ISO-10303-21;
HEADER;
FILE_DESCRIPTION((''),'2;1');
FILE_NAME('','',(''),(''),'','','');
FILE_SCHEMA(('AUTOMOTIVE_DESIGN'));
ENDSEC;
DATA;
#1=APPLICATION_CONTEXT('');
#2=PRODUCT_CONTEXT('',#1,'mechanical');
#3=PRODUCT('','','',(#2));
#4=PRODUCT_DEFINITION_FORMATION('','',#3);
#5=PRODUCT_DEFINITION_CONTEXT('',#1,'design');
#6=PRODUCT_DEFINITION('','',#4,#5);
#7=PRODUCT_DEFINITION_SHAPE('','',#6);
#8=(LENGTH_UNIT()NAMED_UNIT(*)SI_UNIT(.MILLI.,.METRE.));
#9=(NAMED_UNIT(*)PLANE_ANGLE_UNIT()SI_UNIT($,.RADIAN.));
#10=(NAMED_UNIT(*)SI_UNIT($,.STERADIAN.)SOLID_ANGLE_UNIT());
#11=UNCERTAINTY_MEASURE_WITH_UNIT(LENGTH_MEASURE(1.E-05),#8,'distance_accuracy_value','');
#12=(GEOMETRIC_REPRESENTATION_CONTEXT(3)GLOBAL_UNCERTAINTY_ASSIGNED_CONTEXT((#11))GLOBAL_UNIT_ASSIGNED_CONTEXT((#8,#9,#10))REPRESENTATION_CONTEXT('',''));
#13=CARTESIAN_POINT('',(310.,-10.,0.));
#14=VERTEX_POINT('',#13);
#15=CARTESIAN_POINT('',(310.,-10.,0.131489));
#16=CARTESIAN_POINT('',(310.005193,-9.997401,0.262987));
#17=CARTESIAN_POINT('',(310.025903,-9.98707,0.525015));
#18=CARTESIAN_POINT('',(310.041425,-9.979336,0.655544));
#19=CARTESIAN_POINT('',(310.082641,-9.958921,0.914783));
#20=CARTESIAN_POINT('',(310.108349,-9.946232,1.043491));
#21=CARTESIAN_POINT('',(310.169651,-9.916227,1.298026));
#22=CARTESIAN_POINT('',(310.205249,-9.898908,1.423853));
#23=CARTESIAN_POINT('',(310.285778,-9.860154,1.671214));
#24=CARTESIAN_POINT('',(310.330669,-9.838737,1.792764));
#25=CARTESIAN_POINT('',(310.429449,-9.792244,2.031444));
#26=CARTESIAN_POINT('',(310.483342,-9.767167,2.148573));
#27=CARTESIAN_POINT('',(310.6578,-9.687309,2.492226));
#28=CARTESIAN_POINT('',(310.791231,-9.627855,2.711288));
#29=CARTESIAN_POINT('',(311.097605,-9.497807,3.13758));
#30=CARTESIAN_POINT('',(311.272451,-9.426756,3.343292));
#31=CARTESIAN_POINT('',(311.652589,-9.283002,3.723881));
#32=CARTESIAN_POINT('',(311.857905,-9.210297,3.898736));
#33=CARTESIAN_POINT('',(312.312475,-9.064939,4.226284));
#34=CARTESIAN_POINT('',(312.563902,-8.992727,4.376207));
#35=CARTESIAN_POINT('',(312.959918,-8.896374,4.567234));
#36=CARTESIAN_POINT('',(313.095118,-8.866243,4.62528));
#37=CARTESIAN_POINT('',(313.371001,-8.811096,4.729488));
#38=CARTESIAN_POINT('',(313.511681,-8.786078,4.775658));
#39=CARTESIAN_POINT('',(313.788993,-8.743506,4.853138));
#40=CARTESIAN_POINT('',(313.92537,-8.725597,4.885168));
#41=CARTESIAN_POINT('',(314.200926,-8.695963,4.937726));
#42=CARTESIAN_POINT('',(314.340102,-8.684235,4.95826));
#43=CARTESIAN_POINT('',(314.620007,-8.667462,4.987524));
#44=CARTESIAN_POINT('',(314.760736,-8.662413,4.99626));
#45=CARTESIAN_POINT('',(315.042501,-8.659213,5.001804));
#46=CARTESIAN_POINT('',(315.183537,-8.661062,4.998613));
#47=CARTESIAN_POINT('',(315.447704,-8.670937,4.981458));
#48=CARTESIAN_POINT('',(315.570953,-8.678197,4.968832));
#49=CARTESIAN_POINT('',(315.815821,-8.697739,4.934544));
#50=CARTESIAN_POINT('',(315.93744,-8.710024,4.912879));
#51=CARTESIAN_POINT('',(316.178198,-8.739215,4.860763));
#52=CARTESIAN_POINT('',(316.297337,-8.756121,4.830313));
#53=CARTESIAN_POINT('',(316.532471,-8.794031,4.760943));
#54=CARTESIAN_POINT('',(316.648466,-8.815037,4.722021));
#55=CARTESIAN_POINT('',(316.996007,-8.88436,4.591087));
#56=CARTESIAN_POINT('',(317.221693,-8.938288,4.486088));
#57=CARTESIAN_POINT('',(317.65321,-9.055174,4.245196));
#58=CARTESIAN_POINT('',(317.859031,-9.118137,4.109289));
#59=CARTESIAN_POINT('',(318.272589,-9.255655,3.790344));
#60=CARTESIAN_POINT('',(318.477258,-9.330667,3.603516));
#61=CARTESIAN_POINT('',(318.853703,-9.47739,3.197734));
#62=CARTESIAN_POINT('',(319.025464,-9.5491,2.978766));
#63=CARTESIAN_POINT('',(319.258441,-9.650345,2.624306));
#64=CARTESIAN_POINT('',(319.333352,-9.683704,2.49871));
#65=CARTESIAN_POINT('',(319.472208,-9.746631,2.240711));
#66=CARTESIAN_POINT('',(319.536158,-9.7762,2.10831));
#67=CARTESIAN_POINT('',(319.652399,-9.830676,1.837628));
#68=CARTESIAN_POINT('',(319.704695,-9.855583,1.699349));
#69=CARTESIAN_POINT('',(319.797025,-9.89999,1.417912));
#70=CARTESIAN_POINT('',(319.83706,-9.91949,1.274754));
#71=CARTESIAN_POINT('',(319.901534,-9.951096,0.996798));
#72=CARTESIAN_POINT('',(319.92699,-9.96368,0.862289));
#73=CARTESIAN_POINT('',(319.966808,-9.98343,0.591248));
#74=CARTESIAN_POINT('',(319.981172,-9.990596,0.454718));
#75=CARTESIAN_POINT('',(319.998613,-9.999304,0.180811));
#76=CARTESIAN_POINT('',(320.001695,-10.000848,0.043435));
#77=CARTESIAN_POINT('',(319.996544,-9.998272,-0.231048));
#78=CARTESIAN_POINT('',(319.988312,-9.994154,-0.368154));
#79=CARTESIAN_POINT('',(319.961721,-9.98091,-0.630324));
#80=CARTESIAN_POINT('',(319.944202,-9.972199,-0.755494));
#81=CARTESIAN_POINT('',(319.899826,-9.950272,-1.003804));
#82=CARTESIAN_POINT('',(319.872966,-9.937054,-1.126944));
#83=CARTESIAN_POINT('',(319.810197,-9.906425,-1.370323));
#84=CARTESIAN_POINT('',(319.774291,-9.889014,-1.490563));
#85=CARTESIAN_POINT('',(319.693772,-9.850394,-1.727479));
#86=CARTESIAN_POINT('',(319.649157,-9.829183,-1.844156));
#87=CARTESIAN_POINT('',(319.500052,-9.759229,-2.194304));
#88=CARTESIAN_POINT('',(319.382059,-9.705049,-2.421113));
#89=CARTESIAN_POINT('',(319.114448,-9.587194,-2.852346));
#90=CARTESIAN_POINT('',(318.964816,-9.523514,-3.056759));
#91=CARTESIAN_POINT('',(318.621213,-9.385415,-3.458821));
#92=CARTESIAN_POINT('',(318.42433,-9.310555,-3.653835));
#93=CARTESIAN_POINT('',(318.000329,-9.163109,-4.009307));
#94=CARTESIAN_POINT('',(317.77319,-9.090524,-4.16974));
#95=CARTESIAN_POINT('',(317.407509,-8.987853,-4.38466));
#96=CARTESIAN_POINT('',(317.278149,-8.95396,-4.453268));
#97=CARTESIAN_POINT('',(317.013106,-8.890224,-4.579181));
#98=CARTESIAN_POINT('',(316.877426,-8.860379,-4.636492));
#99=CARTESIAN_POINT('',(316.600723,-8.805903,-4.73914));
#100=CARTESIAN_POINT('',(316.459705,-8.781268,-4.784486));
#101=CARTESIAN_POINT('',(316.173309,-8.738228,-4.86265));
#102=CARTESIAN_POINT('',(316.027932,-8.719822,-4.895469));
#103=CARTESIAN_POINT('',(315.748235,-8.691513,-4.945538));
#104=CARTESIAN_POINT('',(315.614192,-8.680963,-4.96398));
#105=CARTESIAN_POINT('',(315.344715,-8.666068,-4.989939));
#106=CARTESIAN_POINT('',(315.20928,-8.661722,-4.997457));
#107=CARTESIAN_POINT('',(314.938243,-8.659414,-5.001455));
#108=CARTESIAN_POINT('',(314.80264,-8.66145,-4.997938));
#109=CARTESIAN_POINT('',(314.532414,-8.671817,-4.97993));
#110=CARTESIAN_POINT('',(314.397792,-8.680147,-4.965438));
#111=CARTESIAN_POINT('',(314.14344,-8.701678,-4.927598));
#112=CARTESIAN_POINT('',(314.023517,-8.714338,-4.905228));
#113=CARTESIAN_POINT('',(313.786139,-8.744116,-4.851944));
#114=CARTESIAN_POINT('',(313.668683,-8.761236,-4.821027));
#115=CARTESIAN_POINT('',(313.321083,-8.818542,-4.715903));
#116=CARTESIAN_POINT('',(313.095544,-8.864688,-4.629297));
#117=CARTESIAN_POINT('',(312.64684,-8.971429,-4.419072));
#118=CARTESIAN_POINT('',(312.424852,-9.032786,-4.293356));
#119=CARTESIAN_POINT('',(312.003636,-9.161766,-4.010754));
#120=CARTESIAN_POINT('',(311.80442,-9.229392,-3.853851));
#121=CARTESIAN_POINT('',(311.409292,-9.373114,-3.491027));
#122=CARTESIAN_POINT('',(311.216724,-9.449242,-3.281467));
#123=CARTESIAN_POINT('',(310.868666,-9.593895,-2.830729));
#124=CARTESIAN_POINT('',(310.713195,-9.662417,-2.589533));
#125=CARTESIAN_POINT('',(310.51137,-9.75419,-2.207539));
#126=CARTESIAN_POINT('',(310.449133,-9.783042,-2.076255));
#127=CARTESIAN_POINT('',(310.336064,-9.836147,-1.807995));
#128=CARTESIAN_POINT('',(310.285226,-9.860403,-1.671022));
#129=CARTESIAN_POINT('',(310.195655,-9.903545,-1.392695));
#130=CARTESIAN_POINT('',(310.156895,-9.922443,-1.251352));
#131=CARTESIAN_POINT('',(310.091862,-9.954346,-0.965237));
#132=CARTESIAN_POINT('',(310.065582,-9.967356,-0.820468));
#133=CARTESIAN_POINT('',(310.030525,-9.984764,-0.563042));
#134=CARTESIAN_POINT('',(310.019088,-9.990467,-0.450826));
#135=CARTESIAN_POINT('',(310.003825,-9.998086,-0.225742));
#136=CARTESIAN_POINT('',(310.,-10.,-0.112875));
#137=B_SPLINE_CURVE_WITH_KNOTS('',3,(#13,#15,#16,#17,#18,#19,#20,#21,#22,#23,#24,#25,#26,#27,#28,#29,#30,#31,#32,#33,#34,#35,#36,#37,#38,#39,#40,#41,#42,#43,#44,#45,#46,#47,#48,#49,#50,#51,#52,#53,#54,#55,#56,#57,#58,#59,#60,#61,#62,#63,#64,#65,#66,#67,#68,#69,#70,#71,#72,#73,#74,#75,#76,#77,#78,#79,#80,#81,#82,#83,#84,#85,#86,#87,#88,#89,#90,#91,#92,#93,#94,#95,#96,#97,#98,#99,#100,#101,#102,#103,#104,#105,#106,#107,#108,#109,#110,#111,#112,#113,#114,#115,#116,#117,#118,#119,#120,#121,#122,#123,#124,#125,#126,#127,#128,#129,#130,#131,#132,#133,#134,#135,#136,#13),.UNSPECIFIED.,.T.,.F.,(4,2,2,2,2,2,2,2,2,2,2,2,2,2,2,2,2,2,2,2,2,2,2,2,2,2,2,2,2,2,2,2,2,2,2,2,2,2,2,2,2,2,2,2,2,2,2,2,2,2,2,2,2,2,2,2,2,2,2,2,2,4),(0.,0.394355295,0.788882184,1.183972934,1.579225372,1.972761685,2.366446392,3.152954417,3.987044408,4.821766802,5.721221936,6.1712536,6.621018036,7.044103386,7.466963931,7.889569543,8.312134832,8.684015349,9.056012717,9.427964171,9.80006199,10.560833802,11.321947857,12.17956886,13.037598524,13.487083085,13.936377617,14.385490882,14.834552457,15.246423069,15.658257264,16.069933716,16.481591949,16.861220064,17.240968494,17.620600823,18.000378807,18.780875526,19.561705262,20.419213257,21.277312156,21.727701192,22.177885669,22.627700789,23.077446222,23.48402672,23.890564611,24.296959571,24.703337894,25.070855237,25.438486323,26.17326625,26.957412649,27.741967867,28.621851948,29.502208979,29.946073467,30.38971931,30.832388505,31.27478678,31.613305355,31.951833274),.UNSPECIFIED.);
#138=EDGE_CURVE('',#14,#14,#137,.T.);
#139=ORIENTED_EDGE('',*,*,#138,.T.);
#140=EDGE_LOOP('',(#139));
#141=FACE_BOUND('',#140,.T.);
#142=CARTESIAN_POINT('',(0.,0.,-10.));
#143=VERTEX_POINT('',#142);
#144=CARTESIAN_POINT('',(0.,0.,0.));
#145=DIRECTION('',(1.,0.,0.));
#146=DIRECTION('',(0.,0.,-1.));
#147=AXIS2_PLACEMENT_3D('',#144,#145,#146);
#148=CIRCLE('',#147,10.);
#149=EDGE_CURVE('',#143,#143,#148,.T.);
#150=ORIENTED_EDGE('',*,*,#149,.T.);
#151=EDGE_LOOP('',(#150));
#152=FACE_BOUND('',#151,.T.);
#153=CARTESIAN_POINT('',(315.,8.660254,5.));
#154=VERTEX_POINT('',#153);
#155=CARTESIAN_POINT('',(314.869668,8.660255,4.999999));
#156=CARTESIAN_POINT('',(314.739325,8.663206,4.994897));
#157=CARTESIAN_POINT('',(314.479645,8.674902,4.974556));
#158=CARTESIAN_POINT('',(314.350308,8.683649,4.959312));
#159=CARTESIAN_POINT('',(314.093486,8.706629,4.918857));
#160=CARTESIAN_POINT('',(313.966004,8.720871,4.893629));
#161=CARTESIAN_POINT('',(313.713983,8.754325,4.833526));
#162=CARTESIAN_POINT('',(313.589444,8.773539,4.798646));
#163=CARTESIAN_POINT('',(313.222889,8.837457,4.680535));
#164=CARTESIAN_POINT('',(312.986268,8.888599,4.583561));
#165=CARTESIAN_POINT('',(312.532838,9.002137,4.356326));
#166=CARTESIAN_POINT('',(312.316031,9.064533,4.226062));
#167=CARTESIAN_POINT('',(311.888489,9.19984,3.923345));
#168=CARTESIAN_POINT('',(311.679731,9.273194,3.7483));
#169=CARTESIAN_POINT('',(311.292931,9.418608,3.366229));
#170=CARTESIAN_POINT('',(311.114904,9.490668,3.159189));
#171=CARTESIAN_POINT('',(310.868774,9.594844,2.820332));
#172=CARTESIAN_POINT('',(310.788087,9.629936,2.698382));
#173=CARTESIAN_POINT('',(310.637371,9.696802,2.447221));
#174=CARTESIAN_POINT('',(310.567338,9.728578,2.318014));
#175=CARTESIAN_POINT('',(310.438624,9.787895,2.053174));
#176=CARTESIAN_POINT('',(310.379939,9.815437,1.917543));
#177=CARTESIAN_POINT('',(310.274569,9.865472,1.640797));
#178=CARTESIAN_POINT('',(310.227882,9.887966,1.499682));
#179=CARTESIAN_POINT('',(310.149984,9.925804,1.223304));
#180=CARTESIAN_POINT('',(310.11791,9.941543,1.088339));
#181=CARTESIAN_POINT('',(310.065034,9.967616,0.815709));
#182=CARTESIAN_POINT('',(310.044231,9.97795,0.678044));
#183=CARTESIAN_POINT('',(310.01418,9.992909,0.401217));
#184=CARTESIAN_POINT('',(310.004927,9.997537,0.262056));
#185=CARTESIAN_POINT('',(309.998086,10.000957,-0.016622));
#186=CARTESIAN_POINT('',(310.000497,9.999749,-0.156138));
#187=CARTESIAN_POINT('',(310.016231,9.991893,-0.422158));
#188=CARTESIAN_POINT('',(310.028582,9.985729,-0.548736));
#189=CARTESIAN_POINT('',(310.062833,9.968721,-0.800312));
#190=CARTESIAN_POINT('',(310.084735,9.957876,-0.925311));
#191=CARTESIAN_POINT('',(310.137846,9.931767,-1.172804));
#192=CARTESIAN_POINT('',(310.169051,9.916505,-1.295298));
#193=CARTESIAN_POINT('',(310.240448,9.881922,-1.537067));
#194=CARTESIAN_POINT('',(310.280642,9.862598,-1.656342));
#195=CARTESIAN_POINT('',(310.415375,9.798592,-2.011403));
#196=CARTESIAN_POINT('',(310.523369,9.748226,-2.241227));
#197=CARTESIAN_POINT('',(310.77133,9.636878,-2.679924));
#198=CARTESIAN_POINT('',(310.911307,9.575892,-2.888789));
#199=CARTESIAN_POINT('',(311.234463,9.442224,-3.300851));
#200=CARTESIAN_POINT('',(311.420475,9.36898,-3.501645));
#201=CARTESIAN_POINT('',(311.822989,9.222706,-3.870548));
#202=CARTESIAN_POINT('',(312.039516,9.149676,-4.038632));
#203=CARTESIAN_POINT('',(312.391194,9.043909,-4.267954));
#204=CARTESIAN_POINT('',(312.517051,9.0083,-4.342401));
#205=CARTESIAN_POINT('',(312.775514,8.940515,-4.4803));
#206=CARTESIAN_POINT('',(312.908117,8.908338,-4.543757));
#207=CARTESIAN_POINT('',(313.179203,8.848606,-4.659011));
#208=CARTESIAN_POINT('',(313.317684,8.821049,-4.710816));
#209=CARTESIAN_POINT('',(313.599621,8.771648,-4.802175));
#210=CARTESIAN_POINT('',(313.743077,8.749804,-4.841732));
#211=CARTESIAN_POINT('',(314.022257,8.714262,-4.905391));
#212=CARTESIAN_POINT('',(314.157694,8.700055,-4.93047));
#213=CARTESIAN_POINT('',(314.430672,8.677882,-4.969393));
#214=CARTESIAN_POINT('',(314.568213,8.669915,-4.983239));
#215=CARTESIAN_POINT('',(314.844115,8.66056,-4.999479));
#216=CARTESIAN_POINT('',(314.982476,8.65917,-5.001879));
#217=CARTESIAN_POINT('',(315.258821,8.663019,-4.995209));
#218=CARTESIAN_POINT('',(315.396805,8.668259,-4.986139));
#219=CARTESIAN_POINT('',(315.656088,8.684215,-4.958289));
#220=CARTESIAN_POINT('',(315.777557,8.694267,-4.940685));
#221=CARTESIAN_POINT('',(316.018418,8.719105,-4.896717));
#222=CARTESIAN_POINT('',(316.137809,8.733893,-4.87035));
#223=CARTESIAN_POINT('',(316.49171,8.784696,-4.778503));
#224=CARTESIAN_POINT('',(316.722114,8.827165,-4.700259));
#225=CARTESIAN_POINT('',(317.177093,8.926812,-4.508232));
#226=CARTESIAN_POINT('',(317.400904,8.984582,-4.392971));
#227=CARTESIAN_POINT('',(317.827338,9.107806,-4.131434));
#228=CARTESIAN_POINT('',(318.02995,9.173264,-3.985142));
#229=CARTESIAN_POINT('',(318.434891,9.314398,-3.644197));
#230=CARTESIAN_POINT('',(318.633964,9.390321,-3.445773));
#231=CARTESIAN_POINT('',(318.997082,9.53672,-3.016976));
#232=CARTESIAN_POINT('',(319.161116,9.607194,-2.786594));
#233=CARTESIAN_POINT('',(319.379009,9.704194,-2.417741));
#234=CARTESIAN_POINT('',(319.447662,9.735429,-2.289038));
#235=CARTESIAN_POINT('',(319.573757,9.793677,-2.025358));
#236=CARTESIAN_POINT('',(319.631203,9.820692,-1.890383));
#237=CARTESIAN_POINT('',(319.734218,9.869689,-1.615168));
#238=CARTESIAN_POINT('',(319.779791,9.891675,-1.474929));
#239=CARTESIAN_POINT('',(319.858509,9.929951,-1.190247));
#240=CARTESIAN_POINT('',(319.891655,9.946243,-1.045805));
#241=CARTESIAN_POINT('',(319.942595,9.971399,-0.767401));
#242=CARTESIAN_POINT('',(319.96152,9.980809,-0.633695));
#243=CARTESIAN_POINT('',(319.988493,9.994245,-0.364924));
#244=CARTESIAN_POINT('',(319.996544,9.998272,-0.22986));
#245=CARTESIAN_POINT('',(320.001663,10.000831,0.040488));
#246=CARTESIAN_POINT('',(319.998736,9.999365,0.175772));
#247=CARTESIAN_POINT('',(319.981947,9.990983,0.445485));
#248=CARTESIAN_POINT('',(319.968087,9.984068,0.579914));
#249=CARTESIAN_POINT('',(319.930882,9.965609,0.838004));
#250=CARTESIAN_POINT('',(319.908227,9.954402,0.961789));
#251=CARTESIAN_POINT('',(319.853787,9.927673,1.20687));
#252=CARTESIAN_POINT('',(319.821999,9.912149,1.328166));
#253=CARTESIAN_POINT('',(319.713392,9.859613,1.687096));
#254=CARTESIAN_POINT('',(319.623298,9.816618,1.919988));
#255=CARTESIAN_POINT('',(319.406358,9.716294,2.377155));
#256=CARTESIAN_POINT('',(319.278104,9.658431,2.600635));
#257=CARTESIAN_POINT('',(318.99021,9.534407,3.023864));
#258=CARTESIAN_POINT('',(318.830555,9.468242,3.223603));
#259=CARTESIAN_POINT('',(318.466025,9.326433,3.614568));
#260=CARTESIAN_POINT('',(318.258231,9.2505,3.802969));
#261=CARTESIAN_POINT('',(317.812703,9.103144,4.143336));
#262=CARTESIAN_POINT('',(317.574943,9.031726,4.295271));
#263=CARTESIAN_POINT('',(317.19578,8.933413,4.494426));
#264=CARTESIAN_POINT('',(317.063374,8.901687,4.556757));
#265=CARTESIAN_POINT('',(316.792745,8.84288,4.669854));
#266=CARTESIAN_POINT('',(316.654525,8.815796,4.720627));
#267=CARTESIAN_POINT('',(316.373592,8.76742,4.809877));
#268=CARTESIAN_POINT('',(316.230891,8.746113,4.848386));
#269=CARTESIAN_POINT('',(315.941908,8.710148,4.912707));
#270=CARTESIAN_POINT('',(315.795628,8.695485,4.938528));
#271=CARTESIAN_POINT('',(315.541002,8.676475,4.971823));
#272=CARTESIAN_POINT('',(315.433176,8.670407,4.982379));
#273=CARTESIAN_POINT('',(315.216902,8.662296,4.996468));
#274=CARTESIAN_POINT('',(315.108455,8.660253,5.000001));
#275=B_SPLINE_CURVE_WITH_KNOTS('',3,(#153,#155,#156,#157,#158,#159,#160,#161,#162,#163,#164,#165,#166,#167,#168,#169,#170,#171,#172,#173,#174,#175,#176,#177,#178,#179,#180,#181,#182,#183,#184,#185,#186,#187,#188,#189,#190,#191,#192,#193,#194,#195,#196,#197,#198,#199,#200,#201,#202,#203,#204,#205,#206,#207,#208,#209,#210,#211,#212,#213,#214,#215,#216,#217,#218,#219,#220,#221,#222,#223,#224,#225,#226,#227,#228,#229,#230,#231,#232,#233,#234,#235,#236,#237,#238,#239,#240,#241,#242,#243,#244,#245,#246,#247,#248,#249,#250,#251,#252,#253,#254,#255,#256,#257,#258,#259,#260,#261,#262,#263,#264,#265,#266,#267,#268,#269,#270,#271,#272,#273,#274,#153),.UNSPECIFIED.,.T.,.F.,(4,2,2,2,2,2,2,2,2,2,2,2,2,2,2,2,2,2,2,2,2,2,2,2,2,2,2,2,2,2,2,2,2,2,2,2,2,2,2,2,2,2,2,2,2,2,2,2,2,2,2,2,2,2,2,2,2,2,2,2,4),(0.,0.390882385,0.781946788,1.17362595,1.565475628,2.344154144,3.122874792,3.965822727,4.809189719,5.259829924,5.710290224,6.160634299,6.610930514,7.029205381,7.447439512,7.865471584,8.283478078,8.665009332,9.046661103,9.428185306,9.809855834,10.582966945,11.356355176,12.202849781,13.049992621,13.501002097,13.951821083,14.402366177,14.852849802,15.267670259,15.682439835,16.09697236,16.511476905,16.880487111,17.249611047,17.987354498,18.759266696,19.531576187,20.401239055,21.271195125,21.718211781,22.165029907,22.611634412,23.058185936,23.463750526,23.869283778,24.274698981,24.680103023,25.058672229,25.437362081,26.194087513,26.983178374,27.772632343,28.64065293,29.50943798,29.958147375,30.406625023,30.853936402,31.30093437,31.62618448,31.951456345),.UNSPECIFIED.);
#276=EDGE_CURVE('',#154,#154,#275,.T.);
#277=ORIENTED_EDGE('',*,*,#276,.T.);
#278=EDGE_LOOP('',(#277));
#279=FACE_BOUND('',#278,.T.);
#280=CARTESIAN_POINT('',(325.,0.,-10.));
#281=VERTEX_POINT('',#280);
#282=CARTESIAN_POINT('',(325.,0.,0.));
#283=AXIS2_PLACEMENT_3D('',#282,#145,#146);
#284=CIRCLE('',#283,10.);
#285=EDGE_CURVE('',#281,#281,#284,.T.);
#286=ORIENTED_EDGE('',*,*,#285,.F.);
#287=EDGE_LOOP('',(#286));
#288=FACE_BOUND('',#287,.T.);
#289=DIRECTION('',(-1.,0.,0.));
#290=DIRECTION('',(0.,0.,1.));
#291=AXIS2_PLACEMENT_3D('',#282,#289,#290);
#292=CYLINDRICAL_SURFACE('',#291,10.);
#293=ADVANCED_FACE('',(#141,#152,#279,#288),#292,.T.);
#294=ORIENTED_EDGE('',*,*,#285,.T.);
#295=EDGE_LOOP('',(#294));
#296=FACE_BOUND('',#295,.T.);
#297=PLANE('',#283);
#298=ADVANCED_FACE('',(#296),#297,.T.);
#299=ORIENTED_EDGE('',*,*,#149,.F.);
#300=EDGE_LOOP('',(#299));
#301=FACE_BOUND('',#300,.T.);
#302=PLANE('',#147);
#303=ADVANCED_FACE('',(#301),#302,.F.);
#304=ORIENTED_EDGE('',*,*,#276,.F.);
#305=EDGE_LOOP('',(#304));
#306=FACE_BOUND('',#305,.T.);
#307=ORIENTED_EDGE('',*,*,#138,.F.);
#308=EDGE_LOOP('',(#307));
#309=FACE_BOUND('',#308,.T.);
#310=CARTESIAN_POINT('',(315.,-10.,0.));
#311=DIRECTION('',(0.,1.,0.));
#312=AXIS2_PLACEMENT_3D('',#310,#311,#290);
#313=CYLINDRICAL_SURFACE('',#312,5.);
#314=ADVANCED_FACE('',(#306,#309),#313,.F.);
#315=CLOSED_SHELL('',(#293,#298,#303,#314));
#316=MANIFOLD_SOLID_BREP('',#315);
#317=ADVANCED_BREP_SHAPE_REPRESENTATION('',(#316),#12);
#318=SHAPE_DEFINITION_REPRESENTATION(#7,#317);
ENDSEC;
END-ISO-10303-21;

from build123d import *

# Parameters (mm, degrees)
CROQUIS1_R                 = 10
SALIENTE_EXTRUIR1_DEPTH    = 325
CORTAR_EXTRUIR1_DEPTH      = 326.307546792
CORTAR_EXTRUIR1_DEPTH_BACK = 326.307546792
CROQUIS3_R                 = 5


with BuildPart() as part:
    # Croquis1 → Saliente-Extruir1 (new body)
    with BuildSketch(Plane(origin=(0, 0, 0), x_dir=(0, 0, -1), z_dir=(1, 0, 0))):
        Circle(CROQUIS1_R)
    extrude(amount=SALIENTE_EXTRUIR1_DEPTH)

    # Croquis3 → Cortar-Extruir1 (cut, two sides: drawn at the far end of the back side and taken through both)
    with BuildSketch(Plane(origin=(0, 0, 0), x_dir=(1, 0, 0), z_dir=(0, 1, 0)).offset(-CORTAR_EXTRUIR1_DEPTH_BACK)):
        with Locations(Location((315, 0, 0), (0, 0, 270))):
            Circle(CROQUIS3_R)
    extrude(amount=CORTAR_EXTRUIR1_DEPTH + CORTAR_EXTRUIR1_DEPTH_BACK, mode=Mode.SUBTRACT)


solid = part.part
